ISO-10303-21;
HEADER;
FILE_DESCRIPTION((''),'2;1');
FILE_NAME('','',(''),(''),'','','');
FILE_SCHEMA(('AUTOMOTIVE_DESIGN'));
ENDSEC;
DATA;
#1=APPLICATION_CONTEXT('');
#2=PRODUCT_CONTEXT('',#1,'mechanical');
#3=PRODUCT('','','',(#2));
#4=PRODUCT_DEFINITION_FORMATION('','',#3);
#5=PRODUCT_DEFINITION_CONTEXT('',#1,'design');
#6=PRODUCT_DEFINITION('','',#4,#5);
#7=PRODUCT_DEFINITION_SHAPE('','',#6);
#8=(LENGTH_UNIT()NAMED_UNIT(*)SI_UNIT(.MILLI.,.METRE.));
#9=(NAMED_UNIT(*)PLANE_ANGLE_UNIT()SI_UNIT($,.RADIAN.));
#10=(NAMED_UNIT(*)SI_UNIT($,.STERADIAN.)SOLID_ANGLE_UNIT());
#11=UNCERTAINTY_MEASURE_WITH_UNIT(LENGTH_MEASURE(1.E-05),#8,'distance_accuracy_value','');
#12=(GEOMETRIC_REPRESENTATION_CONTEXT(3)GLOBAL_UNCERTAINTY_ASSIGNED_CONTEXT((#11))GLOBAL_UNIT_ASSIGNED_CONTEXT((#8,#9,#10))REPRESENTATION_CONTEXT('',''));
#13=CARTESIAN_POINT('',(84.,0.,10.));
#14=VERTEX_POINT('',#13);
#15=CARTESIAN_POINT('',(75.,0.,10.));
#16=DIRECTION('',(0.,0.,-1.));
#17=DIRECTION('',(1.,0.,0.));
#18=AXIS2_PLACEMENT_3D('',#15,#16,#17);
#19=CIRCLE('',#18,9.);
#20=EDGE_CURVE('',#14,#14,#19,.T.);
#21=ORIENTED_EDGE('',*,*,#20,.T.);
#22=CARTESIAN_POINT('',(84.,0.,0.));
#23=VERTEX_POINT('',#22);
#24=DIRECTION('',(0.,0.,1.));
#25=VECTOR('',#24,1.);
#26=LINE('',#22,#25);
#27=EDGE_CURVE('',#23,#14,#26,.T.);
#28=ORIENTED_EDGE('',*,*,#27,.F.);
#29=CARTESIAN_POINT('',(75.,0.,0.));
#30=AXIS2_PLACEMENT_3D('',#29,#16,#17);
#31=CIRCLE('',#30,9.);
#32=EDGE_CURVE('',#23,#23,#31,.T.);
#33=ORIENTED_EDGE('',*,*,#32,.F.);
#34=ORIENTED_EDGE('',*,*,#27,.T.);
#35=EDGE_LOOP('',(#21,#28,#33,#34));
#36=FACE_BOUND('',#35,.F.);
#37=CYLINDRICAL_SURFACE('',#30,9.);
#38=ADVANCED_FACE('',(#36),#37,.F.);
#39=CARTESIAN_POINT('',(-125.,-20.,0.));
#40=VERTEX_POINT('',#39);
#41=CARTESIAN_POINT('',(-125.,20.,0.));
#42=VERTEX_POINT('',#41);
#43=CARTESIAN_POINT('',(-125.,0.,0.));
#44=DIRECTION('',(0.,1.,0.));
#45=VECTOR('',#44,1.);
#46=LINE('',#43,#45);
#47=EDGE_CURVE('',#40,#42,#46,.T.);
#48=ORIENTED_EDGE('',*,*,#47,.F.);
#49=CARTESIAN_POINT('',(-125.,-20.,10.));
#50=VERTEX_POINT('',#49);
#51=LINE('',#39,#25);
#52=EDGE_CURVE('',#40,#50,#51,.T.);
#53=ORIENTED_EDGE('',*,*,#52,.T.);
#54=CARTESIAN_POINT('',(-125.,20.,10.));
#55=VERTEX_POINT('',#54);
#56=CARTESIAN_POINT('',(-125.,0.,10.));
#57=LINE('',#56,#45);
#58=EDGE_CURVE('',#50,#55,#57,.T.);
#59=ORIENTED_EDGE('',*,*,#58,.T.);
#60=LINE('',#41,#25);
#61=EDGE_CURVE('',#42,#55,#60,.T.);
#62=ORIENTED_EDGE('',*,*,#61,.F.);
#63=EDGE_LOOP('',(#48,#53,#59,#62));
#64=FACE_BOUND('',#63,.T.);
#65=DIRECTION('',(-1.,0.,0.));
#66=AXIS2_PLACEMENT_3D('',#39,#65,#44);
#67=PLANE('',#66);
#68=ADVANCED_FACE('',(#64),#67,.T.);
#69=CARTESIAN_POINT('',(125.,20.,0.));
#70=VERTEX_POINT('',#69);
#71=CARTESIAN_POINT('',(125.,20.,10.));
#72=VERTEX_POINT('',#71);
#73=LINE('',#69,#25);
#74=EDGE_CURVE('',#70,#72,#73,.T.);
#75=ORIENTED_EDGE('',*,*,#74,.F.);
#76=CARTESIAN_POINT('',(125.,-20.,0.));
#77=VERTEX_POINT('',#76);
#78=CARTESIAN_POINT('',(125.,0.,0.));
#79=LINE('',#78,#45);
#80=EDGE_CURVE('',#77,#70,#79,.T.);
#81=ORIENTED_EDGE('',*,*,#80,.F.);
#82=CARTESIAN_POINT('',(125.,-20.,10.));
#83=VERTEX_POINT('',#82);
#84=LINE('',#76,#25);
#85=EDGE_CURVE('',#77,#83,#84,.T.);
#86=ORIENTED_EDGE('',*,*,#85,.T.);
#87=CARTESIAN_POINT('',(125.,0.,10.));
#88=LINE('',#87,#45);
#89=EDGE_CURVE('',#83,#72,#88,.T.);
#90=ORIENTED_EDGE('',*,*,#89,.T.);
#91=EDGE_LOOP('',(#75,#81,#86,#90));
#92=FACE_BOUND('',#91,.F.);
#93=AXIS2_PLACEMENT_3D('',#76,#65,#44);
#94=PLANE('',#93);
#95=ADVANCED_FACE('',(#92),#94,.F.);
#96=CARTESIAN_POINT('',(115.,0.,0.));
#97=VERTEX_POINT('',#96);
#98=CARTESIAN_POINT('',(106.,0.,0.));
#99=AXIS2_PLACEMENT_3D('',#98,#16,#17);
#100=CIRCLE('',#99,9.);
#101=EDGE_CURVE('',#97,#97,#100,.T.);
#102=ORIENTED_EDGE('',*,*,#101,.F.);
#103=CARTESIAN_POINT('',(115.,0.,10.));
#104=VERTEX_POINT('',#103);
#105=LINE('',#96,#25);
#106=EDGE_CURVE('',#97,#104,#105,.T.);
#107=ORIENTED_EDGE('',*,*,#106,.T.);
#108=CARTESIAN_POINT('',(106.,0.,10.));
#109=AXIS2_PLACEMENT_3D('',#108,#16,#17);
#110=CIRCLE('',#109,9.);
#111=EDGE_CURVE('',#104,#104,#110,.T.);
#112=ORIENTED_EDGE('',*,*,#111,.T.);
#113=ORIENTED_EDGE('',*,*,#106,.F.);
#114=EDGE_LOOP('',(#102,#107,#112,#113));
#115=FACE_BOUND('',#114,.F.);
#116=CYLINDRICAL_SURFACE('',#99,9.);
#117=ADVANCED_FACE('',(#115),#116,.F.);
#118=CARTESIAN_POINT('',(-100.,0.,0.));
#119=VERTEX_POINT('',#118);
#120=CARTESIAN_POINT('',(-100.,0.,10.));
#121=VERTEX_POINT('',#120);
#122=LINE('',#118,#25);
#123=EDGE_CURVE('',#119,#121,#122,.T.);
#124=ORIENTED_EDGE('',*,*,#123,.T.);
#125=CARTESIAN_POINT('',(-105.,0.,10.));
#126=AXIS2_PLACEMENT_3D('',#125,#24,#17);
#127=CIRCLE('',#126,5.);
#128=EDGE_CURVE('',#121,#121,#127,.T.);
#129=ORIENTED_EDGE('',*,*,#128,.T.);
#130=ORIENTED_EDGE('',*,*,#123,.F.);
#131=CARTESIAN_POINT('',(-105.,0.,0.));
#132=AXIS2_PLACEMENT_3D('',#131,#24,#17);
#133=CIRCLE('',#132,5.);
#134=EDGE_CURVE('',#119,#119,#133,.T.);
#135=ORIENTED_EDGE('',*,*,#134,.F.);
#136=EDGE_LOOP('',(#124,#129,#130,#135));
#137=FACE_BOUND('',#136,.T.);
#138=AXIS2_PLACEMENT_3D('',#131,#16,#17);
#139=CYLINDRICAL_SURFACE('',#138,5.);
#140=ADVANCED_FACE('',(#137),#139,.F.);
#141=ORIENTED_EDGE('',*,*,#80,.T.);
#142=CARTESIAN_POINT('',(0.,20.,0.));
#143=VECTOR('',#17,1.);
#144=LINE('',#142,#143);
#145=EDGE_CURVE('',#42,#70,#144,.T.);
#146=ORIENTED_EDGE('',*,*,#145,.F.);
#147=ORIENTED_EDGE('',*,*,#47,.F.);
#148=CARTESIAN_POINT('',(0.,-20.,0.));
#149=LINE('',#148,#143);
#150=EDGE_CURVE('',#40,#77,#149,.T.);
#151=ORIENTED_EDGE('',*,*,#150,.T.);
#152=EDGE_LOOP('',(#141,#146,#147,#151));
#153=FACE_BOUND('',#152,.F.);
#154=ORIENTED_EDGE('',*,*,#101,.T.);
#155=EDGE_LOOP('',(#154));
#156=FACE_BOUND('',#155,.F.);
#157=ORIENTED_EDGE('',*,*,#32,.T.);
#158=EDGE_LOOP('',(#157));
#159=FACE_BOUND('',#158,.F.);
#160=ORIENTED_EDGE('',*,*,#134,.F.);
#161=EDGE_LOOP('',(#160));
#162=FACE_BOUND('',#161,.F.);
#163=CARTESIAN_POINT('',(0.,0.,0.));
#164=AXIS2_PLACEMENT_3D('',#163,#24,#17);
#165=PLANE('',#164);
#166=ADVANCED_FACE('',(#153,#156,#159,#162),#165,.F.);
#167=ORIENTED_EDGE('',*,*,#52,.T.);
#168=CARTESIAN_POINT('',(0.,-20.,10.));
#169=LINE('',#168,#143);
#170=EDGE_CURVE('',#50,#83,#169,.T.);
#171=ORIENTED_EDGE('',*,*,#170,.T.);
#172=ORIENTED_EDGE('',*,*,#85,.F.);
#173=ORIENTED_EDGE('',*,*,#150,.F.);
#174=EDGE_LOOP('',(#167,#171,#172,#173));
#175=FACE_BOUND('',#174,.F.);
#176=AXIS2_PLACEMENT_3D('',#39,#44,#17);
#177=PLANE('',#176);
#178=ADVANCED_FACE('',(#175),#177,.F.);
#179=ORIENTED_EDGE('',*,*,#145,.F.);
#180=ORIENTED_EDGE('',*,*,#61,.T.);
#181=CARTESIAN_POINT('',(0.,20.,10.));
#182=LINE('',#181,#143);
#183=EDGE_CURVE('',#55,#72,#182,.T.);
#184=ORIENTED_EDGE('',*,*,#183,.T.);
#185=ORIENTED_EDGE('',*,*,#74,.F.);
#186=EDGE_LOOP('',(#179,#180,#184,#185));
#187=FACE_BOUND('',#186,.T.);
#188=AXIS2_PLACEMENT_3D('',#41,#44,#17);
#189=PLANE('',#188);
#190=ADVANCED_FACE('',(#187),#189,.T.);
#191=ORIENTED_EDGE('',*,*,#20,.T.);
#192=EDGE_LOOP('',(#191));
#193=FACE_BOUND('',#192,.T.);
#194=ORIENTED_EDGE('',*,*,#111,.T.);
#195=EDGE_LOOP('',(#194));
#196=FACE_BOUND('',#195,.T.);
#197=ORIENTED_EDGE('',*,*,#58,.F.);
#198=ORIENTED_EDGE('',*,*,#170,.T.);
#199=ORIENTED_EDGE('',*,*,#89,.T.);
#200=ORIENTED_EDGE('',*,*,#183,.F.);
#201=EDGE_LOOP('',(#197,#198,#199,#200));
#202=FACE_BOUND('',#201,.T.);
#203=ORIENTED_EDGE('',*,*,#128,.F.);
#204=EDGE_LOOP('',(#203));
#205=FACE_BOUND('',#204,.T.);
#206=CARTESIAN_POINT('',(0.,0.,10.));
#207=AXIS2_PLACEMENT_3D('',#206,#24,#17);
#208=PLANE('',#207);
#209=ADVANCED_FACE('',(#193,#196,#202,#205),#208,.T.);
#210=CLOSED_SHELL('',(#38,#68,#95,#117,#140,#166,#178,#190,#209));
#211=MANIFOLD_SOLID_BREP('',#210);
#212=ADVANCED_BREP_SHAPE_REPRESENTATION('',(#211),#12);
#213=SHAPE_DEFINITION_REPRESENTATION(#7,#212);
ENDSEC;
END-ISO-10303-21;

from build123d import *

# Parameters (mm, degrees)
F0_W     = 250
F0_H     = 40
F0_R     = 5
F1_DEPTH = 10
F2_R     = 9
F3_DEPTH = 25
F4_R     = 9
F5_DEPTH = 25


with BuildPart() as f1:
    # F0 (on Top) → F1 (new body)
    with BuildSketch(Plane.XY):
        Rectangle(F0_W, F0_H)
        with Locations((-105, 0)):
            Circle(F0_R, mode=Mode.SUBTRACT)
    extrude(amount=F1_DEPTH)

    # F2 (on face) → F3 (cut)
    with BuildSketch(Plane(origin=(0, 0, 0), x_dir=(1, 0, 0), z_dir=(0, 0, -1))):
        with Locations((106, 0)):
            Circle(F2_R)
    extrude(amount=-F3_DEPTH, mode=Mode.SUBTRACT)

    # F4 (on face) → F5 (cut)
    with BuildSketch(Plane(origin=(0, 0, 0), x_dir=(1, 0, 0), z_dir=(0, 0, -1))):
        with Locations((75, 0)):
            Circle(F4_R)
    extrude(amount=-F5_DEPTH, mode=Mode.SUBTRACT)


solid = f1.part
